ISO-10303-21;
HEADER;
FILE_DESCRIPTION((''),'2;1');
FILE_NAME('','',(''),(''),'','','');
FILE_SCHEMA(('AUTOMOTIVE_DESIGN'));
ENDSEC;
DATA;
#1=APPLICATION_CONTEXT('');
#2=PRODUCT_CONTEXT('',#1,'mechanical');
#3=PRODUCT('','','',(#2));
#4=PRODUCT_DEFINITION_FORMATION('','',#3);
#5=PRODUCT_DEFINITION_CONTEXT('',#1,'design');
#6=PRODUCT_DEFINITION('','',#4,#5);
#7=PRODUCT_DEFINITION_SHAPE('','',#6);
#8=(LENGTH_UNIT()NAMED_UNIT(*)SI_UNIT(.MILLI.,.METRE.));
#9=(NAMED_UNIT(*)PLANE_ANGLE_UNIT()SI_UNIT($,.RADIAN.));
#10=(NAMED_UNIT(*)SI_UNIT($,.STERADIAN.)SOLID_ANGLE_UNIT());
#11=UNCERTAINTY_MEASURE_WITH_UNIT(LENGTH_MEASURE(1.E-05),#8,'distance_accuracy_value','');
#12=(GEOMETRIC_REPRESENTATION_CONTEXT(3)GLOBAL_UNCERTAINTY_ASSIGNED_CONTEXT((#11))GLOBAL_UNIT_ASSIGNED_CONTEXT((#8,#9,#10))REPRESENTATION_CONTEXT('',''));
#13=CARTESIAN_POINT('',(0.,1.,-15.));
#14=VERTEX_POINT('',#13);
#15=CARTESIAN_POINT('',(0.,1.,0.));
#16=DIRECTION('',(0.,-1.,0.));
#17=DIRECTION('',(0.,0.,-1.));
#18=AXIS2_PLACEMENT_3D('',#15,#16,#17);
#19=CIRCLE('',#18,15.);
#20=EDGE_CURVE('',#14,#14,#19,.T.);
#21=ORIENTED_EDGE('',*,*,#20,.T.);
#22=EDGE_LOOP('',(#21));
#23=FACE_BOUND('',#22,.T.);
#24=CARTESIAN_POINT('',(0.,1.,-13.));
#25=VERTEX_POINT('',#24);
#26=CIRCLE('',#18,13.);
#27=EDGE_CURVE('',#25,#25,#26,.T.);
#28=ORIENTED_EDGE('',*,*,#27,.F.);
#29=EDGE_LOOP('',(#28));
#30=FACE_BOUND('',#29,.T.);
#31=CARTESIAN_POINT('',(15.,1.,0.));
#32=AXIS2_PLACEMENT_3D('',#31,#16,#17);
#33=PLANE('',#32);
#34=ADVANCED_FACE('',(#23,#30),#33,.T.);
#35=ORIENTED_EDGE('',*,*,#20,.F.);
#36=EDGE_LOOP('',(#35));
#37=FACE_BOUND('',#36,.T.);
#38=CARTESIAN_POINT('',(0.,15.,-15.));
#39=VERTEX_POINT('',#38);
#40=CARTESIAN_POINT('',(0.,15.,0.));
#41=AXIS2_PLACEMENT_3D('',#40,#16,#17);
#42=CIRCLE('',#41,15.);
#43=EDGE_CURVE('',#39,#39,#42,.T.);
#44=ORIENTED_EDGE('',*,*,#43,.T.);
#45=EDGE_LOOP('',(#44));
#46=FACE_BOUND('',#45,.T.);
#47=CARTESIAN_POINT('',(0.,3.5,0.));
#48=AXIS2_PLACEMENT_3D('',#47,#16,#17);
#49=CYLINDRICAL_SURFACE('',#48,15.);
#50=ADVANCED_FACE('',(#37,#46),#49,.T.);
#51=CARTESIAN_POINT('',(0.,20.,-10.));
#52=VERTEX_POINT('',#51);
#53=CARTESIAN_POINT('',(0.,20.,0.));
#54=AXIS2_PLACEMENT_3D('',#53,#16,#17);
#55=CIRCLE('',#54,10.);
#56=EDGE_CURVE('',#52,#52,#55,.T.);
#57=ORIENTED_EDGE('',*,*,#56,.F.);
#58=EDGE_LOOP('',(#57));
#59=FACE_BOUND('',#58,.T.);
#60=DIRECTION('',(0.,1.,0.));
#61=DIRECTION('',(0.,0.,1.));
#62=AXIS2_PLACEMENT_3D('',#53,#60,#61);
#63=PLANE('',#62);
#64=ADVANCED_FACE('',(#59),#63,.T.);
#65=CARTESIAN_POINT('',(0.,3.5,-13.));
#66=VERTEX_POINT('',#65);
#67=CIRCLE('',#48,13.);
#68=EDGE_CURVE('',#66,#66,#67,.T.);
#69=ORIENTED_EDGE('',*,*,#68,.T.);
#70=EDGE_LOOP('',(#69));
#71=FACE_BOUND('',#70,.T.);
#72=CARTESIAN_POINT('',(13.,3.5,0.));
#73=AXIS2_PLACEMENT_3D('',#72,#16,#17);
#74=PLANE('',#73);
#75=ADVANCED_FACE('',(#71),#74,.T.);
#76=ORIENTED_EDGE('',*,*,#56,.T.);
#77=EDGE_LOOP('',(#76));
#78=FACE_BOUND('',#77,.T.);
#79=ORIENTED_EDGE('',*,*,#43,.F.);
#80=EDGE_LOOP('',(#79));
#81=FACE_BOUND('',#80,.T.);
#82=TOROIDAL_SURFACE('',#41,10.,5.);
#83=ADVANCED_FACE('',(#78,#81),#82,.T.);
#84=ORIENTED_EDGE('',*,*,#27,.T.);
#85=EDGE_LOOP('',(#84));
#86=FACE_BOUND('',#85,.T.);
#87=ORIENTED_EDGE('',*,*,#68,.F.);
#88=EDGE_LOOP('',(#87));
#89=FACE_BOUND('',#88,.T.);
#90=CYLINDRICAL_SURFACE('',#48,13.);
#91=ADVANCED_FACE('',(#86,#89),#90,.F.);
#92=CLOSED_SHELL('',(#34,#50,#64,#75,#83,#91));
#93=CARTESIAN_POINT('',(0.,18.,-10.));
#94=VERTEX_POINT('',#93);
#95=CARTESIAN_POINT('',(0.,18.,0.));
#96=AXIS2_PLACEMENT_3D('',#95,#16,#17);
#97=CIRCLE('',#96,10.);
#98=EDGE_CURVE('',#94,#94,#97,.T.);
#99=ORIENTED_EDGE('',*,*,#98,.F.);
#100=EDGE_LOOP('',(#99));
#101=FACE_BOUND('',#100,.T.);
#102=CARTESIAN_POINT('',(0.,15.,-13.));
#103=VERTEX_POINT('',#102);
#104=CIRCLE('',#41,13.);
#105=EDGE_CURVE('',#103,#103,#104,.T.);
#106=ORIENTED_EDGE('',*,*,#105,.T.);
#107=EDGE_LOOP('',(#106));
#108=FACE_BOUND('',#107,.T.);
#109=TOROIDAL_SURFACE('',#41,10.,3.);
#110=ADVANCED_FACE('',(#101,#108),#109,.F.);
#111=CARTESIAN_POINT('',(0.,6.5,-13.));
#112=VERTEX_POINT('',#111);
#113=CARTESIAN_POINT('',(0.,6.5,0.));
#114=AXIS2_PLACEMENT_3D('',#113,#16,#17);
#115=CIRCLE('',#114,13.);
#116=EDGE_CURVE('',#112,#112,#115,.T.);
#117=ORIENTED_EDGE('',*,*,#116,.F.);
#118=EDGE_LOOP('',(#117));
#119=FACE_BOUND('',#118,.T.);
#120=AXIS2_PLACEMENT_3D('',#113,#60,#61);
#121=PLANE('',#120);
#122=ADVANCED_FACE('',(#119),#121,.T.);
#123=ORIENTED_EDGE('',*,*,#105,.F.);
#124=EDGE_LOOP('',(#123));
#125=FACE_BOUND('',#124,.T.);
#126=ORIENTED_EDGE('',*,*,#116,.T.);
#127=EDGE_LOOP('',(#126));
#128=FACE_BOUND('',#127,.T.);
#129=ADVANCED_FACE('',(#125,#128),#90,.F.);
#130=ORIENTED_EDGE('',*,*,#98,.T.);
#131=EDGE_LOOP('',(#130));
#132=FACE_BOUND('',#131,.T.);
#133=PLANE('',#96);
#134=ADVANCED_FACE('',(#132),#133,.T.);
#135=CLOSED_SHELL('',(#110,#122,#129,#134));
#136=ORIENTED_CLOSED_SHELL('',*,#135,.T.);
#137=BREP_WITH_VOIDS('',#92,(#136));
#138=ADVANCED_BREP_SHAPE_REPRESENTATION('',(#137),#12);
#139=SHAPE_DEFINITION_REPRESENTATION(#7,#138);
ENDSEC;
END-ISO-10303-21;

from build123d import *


with BuildPart() as part:
    # ｽｹｯﾁ1 → 回転1 (revolve)
    with BuildSketch(Plane.XY, mode=Mode.PRIVATE) as revolve_1_sk:
        with BuildLine():
            Line((0, 20), (10, 20))
            ThreePointArc((10, 20), (13.535533906, 18.535533906), (15, 15))
            Line((15, 15), (15, 1))
            Line((15, 1), (13, 1))
            Line((13, 1), (13, 3.5))
            Line((13, 3.5), (0, 3.5))
            Line((0, 3.5), (0, 6.5))
            Line((0, 6.5), (13, 6.5))
            Line((13, 6.5), (13, 15))
            ThreePointArc((13, 15), (12.121320344, 17.121320344), (10, 18))
            Line((10, 18), (0, 18))
            Line((0, 18), (0, 20))
        make_face()
    revolve(revolve_1_sk.sketch.rotate(Axis((0, 3.5, 0), (0, 1, 0)), 90), axis=Axis((0, 3.5, 0), (0, 1, 0)))


solid = part.part
